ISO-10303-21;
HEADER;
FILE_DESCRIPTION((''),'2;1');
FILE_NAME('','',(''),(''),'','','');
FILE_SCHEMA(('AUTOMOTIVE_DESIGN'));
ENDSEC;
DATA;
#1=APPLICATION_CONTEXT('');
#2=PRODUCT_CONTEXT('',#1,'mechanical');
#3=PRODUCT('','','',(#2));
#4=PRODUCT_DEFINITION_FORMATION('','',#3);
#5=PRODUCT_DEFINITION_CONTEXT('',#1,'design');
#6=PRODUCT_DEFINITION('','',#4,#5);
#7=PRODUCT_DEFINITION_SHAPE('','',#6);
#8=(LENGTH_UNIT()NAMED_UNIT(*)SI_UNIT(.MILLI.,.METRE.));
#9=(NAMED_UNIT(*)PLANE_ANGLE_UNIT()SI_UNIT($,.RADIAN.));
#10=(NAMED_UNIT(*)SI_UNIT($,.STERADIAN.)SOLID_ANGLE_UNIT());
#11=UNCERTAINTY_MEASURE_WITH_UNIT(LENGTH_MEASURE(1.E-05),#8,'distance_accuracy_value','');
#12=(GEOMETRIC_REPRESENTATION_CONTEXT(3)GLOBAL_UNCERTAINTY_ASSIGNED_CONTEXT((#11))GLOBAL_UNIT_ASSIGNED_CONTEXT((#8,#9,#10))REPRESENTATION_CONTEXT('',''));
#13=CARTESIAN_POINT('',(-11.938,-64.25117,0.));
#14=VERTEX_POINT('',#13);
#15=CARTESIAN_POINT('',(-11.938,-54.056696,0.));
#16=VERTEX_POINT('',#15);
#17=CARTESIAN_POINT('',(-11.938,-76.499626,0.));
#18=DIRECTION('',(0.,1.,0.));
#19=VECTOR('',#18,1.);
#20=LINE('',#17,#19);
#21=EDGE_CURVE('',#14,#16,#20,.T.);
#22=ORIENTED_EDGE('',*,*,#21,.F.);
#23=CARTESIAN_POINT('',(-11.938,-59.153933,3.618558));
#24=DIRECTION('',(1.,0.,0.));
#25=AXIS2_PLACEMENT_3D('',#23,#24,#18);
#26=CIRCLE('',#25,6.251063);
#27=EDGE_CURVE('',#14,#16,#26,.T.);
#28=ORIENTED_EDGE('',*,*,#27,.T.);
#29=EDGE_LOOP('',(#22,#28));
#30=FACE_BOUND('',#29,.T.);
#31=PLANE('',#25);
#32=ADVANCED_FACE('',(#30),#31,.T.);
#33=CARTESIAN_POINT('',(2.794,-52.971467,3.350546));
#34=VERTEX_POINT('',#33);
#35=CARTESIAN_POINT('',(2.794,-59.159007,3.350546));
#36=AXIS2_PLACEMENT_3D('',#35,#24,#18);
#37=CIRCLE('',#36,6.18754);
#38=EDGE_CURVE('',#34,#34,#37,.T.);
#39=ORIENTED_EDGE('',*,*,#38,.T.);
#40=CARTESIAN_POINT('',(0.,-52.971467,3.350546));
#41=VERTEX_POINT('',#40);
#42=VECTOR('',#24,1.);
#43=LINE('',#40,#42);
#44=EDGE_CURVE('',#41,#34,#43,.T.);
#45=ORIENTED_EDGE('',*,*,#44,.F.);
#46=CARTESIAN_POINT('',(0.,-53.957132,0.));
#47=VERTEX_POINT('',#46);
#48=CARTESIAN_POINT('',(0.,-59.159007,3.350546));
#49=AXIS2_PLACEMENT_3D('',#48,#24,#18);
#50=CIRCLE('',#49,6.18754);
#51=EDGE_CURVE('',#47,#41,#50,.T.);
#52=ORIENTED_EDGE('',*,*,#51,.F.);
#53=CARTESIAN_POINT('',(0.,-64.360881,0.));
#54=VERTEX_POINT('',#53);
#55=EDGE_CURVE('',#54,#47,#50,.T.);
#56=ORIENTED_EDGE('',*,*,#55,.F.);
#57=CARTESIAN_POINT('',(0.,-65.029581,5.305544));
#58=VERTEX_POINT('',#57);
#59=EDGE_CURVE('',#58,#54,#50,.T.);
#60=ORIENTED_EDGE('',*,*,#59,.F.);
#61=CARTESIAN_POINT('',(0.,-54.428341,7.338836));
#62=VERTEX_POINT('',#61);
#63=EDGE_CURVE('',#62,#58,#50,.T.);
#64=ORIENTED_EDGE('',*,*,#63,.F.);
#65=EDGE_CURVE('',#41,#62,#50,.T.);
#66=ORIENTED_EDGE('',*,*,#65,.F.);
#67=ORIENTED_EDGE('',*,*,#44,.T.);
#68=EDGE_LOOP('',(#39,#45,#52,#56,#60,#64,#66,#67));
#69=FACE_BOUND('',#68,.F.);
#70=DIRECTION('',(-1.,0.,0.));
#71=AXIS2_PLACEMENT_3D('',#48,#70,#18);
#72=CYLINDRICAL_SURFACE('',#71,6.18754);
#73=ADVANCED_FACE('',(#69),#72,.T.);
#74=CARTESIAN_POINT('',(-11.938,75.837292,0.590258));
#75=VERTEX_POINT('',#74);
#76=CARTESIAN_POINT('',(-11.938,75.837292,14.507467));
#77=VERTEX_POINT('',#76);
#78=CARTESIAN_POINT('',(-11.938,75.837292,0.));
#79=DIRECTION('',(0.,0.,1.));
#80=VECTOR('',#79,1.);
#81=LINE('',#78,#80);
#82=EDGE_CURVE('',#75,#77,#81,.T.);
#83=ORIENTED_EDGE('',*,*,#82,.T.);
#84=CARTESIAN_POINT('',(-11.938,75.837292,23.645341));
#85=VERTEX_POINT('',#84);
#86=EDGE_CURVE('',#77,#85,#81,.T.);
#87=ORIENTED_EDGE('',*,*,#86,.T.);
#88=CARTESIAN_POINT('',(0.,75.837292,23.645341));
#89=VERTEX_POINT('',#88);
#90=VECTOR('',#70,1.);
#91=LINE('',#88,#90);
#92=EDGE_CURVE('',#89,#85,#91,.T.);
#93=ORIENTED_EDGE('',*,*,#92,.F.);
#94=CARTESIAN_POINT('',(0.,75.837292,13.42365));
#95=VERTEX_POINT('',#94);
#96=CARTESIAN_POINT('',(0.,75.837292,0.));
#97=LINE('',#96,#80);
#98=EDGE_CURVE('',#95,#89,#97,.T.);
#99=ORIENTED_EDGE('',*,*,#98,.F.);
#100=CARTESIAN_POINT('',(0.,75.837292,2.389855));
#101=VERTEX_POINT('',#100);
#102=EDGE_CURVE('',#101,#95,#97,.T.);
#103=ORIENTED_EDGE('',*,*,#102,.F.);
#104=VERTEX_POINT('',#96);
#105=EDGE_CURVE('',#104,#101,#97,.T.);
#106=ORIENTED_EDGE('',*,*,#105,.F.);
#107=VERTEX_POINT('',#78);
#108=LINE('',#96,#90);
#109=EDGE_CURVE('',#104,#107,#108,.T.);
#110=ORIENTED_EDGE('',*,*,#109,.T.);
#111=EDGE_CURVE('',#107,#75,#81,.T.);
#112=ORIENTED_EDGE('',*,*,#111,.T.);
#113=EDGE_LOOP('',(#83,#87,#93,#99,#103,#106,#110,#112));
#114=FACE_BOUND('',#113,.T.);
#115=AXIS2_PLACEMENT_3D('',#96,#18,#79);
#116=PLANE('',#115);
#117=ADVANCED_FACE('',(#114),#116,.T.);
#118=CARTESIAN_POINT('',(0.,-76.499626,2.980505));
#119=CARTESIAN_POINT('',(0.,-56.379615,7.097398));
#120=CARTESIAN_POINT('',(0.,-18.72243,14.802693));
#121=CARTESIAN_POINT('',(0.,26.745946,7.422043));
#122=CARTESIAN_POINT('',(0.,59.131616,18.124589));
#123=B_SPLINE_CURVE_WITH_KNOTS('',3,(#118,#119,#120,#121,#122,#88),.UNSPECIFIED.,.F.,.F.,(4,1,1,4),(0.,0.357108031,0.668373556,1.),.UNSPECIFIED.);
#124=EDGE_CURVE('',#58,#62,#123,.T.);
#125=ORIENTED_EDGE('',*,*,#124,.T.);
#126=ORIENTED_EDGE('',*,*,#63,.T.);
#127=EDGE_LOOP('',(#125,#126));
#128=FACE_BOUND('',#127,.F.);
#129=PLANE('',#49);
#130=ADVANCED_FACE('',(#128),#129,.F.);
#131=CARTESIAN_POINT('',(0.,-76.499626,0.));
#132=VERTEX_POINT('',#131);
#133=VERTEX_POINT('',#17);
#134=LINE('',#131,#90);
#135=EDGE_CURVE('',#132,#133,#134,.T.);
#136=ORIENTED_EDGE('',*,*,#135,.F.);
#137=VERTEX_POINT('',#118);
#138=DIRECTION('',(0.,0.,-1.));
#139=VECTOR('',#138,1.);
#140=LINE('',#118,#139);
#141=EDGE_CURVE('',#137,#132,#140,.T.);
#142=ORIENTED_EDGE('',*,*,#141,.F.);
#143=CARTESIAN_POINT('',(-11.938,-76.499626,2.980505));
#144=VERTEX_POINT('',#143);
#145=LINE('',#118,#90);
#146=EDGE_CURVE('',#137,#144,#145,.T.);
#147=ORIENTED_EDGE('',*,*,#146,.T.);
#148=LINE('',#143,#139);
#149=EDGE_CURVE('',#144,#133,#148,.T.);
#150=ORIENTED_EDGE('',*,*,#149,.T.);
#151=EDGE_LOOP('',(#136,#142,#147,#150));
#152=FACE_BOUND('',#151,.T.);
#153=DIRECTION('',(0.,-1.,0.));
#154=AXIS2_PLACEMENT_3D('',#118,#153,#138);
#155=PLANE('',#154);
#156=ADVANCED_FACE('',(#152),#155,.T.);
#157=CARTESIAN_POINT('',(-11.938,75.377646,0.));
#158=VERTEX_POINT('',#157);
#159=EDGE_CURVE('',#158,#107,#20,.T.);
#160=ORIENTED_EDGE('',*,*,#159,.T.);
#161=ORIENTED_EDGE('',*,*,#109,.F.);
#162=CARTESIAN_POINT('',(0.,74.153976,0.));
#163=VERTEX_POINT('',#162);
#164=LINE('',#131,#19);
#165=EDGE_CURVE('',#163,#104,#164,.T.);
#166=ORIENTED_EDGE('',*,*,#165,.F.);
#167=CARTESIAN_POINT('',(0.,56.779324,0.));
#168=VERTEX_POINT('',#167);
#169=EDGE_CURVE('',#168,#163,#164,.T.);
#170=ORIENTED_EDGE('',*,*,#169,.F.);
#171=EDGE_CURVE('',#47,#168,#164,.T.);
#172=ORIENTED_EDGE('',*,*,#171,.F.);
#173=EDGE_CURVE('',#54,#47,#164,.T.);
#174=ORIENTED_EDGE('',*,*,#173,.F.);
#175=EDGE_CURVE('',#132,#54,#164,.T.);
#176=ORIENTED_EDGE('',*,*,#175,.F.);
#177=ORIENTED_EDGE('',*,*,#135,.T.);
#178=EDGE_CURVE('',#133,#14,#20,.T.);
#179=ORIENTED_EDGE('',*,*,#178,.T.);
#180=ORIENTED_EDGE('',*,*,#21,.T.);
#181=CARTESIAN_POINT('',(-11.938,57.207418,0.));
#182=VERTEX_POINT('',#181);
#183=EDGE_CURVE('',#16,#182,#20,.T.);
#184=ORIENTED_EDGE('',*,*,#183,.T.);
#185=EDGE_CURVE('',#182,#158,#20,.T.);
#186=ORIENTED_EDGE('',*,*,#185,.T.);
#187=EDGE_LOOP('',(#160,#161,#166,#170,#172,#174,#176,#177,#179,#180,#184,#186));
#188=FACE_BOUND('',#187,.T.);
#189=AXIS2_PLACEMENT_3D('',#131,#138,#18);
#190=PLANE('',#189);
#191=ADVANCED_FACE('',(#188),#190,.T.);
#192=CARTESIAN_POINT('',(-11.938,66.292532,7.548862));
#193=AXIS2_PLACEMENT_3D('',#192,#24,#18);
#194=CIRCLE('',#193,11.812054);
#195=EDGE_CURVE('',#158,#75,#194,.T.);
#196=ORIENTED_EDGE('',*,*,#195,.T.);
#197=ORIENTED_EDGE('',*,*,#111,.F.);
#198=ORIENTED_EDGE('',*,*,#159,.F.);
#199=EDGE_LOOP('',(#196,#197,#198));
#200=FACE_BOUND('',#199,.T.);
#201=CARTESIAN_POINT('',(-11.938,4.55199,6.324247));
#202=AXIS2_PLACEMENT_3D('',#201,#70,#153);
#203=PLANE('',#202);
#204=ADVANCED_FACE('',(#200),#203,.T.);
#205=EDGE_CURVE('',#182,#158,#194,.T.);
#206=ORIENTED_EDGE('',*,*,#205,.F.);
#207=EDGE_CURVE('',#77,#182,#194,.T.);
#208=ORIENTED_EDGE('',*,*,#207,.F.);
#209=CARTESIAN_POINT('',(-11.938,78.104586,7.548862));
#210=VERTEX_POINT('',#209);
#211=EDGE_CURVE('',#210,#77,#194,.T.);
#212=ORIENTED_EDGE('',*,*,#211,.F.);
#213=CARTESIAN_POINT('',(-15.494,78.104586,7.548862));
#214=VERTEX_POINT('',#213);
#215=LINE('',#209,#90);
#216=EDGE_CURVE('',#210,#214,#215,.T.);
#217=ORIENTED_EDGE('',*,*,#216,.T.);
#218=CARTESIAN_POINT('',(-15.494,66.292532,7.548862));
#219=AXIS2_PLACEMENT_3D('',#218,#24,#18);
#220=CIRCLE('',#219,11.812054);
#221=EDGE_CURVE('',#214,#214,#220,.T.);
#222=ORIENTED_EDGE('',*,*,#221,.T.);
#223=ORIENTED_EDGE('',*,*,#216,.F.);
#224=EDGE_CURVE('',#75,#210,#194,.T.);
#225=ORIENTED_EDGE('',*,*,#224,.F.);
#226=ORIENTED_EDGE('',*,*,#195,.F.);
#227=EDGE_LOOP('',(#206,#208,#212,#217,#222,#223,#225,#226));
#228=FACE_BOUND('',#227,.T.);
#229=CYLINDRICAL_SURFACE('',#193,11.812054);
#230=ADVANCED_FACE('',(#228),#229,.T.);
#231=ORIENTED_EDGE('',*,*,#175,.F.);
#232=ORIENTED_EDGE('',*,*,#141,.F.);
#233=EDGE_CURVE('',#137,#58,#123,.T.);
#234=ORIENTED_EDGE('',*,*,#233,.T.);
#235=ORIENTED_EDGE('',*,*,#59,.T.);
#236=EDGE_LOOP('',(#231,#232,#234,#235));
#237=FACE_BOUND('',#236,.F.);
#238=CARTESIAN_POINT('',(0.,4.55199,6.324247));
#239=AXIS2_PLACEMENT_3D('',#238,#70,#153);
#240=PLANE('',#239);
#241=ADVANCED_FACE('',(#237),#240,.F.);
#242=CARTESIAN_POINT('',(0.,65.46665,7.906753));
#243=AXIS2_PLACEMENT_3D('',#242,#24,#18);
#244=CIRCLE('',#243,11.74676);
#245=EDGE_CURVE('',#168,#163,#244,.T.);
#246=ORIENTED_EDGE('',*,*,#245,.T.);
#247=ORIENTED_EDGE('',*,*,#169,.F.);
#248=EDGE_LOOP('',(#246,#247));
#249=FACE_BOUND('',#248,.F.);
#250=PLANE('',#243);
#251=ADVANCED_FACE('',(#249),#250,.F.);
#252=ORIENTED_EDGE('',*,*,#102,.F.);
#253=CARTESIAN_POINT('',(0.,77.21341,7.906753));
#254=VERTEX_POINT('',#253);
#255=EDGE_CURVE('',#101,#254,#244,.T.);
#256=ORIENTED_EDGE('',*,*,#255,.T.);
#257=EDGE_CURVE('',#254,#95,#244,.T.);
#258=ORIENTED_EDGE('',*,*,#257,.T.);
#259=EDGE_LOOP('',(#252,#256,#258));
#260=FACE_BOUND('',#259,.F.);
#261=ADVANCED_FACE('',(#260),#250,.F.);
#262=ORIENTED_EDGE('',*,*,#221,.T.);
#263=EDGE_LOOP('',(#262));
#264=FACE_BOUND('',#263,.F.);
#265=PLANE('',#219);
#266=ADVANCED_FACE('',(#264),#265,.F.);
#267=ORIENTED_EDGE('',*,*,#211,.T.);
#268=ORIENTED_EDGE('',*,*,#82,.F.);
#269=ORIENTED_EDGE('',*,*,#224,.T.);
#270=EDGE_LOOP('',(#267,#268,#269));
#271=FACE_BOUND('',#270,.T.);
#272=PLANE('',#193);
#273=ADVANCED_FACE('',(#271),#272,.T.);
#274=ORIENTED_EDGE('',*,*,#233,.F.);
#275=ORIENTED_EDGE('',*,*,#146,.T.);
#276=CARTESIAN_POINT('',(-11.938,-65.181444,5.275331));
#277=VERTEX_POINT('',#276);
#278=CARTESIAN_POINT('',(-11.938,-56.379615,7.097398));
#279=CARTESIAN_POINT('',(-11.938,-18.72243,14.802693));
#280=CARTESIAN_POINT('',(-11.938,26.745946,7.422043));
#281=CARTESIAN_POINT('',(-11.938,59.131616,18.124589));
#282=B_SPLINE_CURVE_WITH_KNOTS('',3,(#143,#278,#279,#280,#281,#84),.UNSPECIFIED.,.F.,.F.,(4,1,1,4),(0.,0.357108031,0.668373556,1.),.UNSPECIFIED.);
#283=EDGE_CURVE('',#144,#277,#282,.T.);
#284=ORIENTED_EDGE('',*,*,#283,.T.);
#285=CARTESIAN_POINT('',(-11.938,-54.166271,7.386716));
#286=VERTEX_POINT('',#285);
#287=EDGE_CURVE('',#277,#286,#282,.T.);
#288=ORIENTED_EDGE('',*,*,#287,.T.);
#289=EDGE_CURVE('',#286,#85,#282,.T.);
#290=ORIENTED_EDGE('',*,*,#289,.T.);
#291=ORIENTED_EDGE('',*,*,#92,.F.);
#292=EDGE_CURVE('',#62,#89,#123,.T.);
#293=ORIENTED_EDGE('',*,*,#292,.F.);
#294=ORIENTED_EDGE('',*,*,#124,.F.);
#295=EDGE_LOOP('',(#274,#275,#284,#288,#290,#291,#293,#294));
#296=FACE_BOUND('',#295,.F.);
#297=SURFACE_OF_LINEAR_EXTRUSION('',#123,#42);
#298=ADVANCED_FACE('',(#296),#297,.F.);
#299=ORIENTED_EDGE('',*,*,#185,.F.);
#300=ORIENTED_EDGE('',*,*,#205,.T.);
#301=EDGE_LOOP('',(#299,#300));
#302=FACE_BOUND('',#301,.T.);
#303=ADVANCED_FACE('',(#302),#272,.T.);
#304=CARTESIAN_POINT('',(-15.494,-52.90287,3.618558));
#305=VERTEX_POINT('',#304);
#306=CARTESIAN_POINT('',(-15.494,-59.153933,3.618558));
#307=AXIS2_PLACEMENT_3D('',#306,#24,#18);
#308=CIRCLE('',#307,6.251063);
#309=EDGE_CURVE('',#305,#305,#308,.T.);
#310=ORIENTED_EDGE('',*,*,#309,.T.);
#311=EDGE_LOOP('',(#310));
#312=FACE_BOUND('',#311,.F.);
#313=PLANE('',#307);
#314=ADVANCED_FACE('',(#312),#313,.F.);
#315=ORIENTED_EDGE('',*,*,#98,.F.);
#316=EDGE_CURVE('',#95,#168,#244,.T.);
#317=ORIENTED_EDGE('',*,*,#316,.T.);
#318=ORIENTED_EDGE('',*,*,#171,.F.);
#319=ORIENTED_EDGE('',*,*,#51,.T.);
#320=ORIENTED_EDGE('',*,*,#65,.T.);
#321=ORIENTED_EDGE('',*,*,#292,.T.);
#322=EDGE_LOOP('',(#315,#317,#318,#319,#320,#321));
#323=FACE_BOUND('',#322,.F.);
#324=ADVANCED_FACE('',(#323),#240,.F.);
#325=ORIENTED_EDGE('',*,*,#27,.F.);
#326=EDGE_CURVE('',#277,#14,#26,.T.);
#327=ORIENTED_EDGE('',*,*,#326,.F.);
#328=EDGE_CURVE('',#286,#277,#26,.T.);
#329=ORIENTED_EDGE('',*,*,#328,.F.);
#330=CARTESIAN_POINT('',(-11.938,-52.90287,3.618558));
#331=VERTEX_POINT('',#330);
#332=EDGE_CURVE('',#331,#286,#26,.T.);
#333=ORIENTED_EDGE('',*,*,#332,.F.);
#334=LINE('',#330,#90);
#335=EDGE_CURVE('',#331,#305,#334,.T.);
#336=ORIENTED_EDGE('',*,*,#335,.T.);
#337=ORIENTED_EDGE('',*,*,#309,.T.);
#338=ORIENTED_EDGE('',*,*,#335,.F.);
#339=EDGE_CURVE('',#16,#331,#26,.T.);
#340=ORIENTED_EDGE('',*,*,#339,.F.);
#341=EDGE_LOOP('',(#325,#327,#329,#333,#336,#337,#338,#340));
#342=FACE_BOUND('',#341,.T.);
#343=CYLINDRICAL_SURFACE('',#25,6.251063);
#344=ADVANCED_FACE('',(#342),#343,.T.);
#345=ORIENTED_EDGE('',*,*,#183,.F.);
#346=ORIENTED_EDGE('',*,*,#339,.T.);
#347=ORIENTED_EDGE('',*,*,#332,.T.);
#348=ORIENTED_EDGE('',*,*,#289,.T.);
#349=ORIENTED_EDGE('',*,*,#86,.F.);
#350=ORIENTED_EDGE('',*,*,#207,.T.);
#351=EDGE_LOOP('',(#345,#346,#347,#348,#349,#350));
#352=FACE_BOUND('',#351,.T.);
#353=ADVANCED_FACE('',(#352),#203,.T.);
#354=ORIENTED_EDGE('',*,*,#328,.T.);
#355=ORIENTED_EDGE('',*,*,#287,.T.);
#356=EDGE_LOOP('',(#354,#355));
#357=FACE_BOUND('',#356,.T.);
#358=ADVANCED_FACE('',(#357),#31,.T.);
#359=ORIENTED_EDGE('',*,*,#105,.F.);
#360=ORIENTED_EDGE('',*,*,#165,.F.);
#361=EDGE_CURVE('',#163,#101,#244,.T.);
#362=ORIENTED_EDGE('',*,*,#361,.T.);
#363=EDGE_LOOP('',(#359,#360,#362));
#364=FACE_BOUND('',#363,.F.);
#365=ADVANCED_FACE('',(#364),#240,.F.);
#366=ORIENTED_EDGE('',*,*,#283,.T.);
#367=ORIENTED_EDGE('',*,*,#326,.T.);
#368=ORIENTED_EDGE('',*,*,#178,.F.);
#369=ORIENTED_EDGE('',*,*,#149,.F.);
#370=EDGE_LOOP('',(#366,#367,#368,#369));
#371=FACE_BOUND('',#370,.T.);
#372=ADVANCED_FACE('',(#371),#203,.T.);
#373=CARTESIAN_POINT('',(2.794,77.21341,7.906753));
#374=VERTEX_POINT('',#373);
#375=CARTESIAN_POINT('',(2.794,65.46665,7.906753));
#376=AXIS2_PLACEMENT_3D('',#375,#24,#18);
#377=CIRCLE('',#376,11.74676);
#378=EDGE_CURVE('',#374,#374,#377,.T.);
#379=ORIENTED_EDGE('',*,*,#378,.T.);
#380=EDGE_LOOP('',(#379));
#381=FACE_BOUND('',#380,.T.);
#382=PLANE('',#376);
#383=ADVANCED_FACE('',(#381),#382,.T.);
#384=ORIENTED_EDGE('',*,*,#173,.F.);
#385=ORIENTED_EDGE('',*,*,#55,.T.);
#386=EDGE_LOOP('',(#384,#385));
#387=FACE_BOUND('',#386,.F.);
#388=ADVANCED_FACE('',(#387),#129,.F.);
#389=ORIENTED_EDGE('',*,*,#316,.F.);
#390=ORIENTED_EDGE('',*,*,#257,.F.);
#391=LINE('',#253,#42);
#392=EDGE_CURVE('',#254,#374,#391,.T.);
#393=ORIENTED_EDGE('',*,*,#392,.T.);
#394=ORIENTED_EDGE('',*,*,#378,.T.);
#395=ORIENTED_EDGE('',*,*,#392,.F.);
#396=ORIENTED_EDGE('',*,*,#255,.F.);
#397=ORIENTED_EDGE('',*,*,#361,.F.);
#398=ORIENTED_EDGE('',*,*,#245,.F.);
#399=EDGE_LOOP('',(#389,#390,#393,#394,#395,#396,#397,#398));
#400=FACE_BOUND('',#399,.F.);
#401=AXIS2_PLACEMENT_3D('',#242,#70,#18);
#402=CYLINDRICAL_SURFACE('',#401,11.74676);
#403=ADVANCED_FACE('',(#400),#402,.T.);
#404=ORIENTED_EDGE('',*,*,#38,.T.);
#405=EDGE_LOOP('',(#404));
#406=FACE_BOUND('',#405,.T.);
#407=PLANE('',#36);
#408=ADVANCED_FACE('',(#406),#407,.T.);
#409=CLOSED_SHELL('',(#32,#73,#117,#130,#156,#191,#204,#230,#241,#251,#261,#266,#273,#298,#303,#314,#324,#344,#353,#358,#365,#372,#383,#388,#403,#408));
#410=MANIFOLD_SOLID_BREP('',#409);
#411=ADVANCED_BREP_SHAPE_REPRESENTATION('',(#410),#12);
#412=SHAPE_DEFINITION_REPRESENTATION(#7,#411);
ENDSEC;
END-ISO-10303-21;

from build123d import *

# Parameters (mm, degrees)
F1_DEPTH = 11.938
F2_R     = 6.1875403552
F2_R_2   = 11.7467600062
F3_DEPTH = 2.794
F5_R     = 11.8120539401
F5_R_2   = 6.2510630266
F6_DEPTH = 3.556


with BuildPart() as f1:
    # F0 (on Right) → F1 (new body)
    with BuildSketch(Plane.YZ):
        with BuildLine():
            add(Edge.make_bspline(
                [(-76.4996260405, 2.9805048835), (-56.3796152142, 7.097398258), (-18.7224302831, 14.8026930756), (26.7459462387, 7.4220428779), (59.1316162883, 18.1245890634), (75.8372917771, 23.6453413963)],
                knots=[0, 0, 0, 0, 0.3571080314, 0.6683735558, 1, 1, 1, 1], degree=3))
            Line((-76.4996260405, 2.9805048835), (-76.4996260405, 0))
            Line((-76.4996260405, 0), (75.8372917771, 0))
            Line((75.8372917771, 0), (75.8372917771, 23.6453413963))
        make_face()
    extrude(amount=-F1_DEPTH)

    # F2 (on Right) → F3 (join)
    with BuildSketch(Plane.YZ):
        with Locations((-59.1590069234, 3.350545885)):
            Circle(F2_R)
        with Locations((65.4666498303, 7.9067526385)):
            Circle(F2_R_2)
    extrude(amount=F3_DEPTH)

    # F5 (on offset) → F6 (join)
    with BuildSketch(Plane.YZ.offset(-11.938)):
        with Locations((66.2925317883, 7.5488621369)):
            Circle(F5_R)
        with Locations((-59.1539330781, 3.6185581703)):
            Circle(F5_R_2)
    extrude(amount=-F6_DEPTH)


solid = f1.part
